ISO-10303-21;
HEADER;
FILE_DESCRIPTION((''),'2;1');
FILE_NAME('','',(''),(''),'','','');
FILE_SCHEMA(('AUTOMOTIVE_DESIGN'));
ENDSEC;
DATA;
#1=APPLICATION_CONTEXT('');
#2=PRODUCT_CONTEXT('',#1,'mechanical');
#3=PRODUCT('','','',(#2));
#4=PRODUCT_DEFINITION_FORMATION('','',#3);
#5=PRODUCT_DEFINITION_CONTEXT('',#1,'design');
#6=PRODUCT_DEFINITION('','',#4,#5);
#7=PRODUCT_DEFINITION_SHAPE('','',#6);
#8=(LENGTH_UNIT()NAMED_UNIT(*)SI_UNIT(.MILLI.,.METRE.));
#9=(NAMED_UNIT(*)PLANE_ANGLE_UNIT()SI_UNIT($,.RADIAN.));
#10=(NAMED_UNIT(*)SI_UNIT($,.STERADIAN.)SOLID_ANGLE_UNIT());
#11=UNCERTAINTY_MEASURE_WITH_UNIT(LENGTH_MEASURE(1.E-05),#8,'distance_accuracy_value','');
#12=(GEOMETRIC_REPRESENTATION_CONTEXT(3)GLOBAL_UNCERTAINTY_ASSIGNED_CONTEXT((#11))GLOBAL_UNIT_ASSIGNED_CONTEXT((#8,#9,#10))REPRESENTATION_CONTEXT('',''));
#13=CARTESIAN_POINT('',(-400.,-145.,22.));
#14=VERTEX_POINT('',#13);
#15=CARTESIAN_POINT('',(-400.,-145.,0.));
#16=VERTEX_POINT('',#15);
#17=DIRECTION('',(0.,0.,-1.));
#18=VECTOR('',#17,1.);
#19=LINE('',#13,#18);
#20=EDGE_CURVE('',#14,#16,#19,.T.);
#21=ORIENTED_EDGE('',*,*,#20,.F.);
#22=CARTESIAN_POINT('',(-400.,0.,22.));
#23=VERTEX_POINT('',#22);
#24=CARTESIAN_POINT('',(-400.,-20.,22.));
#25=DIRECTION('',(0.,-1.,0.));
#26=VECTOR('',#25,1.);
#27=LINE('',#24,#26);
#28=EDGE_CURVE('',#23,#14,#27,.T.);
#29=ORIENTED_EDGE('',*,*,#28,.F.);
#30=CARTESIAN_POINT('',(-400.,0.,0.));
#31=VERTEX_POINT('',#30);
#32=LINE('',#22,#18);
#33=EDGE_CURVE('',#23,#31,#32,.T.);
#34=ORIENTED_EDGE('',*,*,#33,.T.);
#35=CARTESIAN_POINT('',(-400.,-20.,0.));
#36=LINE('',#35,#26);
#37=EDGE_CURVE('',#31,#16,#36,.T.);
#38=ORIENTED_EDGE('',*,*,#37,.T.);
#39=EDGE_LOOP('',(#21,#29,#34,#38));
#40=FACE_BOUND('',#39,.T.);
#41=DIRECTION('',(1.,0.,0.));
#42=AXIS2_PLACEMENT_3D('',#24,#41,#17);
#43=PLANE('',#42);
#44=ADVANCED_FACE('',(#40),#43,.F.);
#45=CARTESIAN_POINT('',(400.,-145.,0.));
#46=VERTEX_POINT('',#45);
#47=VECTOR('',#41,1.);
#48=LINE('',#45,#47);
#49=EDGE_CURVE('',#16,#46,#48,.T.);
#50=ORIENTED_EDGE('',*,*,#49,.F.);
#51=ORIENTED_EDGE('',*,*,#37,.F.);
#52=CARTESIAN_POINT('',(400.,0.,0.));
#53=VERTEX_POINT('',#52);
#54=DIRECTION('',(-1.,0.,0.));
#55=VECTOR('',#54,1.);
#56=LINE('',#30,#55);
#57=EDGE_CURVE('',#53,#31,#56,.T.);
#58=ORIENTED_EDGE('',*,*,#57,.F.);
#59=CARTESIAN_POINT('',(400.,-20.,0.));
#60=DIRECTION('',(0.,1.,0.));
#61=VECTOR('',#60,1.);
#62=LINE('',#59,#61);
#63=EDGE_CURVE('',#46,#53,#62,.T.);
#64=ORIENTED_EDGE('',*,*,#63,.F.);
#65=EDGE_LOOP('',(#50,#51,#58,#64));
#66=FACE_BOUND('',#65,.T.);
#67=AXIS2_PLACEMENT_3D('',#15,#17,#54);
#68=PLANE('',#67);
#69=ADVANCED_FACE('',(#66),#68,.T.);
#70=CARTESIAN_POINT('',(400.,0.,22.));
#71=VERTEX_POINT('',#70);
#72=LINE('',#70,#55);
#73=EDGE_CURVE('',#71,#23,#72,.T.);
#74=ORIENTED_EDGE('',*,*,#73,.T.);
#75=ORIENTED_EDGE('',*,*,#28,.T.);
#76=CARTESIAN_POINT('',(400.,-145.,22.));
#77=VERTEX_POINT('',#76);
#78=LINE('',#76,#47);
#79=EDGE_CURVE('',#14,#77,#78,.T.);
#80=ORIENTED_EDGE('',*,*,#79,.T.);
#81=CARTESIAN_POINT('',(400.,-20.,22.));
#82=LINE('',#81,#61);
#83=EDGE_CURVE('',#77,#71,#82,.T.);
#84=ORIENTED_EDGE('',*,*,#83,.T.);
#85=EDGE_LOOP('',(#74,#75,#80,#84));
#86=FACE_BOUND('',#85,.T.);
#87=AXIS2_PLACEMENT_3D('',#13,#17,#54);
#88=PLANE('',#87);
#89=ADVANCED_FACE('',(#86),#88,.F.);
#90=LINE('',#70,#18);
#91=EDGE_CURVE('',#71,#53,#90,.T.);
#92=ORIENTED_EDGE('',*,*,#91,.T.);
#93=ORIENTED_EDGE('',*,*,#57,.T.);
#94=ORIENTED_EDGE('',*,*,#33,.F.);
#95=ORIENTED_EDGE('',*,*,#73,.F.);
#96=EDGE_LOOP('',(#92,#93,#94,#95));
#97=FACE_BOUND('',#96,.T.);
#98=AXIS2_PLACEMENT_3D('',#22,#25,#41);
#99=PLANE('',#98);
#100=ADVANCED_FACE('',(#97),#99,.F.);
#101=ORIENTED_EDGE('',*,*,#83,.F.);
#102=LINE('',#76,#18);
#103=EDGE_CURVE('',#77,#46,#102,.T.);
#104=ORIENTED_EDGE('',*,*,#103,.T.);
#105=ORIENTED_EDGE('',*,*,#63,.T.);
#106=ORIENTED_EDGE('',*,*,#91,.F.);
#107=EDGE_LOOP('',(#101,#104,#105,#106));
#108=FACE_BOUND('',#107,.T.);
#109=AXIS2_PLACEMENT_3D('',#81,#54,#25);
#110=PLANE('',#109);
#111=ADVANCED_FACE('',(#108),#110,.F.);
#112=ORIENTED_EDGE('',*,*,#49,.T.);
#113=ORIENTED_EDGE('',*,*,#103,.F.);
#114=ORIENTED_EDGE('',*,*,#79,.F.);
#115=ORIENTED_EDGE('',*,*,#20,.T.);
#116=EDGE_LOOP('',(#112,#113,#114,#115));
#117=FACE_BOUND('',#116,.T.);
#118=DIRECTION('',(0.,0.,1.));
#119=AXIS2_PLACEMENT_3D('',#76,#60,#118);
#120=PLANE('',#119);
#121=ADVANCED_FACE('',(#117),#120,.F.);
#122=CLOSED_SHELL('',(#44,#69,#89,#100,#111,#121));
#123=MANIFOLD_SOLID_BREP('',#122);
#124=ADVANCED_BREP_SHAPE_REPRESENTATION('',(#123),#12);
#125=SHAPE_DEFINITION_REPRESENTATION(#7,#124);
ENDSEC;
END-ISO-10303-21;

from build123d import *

# Parameters (mm, degrees)
BOSS_EXTRUDE1_DEPTH = 22


with BuildPart() as part:
    # Sketch1 → Boss-Extrude1 (new body)
    with BuildSketch(Plane.XY):
        Polygon((-400, -20), (-400, 0), (-380, 0), (380, 0), (400, 0), (400, -20), (400, -145), (-400, -145), align=None)
    extrude(amount=BOSS_EXTRUDE1_DEPTH)


solid = part.part
